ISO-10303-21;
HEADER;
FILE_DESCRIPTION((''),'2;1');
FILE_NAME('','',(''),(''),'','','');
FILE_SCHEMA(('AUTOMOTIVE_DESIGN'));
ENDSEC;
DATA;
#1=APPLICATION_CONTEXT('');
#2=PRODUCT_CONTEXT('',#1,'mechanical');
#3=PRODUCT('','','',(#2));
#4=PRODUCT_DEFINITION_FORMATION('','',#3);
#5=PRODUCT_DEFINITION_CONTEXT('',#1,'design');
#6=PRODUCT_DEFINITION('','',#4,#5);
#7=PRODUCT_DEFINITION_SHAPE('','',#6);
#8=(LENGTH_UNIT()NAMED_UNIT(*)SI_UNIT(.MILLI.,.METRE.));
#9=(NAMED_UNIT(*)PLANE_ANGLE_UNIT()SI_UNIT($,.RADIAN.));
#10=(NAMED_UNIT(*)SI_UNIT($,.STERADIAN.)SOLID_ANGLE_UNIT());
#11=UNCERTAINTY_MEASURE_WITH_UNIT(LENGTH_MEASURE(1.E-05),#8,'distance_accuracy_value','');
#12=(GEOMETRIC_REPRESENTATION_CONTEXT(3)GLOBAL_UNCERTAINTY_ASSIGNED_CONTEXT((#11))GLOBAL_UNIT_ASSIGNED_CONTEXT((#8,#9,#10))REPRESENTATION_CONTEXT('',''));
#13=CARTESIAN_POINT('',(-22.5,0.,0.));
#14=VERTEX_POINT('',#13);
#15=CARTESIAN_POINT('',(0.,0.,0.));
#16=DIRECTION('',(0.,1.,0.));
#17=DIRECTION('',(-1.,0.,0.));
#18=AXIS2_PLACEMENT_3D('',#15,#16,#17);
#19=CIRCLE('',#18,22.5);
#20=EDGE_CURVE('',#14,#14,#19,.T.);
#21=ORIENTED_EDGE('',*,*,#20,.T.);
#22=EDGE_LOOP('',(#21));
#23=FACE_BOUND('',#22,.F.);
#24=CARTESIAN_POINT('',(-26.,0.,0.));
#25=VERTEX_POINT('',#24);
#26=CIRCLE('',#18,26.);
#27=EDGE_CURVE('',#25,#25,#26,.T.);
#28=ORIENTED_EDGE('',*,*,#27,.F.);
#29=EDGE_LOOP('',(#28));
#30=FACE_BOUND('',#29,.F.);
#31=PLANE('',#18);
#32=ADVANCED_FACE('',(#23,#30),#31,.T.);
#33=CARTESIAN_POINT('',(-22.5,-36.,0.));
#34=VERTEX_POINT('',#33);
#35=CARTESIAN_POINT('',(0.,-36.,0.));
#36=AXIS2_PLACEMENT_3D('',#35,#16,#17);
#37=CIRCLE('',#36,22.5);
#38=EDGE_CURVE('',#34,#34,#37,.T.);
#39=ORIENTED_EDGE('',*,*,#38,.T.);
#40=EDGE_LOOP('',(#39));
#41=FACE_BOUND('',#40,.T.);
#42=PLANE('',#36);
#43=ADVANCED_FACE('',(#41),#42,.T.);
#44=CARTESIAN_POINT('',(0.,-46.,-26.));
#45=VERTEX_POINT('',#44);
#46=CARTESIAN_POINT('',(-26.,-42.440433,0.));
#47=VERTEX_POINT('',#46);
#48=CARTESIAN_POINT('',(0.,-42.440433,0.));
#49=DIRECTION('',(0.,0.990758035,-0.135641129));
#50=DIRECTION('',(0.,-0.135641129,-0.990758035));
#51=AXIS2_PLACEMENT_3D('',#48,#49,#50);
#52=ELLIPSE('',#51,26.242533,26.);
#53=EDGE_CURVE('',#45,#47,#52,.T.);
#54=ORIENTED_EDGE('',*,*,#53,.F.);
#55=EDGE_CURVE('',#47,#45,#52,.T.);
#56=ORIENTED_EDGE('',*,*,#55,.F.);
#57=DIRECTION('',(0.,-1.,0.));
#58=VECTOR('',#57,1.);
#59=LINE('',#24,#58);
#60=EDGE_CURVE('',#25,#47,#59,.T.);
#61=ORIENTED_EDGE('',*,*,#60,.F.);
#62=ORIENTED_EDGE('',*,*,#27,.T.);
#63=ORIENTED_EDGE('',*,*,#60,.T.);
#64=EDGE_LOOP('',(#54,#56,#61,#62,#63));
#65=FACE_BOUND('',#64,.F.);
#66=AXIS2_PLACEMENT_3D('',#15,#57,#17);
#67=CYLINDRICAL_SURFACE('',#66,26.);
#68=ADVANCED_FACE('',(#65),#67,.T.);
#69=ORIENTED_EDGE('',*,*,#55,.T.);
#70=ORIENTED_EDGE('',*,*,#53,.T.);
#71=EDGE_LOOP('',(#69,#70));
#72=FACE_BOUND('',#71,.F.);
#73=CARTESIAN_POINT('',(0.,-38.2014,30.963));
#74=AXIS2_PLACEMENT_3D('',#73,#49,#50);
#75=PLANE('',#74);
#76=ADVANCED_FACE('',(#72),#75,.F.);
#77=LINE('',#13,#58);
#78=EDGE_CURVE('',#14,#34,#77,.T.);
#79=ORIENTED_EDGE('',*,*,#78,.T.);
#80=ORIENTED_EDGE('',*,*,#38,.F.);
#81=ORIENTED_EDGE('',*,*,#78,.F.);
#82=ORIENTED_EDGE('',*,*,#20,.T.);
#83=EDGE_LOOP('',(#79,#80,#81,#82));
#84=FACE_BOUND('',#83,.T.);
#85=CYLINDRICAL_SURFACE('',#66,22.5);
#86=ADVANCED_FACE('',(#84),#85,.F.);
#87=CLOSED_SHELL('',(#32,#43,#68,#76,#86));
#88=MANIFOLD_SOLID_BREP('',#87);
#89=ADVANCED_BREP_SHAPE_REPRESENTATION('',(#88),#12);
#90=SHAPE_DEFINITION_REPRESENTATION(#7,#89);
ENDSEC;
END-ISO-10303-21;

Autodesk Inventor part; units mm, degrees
ref_plane "YZ Plane" through (0, 0, 0) normal (1, 0, 0) x (0, 1, 0)
ref_plane "XZ Plane" through (0, 0, 0) normal (0, 1, 0) x (-1, 0, 0)
ref_plane "XY Plane" through (0, 0, 0) normal (0, 0, 1) x (1, 0, 0)
sketch "Sketch1" plane through (0, 0, 0) normal (0, 0, 1) x (1, 0, 0)
  line L0 (0, 0) -> (-22.5, 0)
  line L1 (-22.5, 0) -> (-22.5, -36)
  line L2 (-22.5, -36) -> (0, -36)
  line L3 (0, -36) -> (0, 0)
  line L4 (-22.5, 0) -> (-26, 0)
  line L5 (0, -36) -> (0, -46)
  line L6 (0, -46) -> (-26, -46)
  line L7 (-26, 0) -> (-26, -46)
  dimension "d2" = 22.5
  dimension "d3" = 36
  dimension "d4" = 3.5
  dimension "d5" = 10
revolve "Revolution1" add sketch "Sketch1" angle 360 about axis through (0, -36, 0) along (0, 1, 0) contours L1 L2 L5 L6 L7 L4
sketch "Sketch2" plane through (0, 0, 0) normal (1, 0, 0) x (0, 1, 0)
  line L0 (-36, -22.5) -> (-36, 22.5) projected
  line L1 (-38.2014, 30.963) -> (-46, -26)
  line L2 (-46, -26) -> (0, -26) projected
  line L3 (-68.1118, -22.9728) -> (-58.6737, 36.8195)
  line L4 (-58.6737, 36.8195) -> (-38.2014, 30.963)
  line L5 (-46, -26) -> (-46, 26) projected
  line L6 (-68.1118, -22.9728) -> (-46, -26)
  line L7 (-2.125, 25.0163) -> (-16.5565, 26.5)
  line L8 (-16.5565, 26.5) -> (-20, 26.5)
  line L9 (-46, 26) -> (0, 26) projected
  line L10 (-20, 26.5) -> (-20, 23.9468)
  line L11 (-46, 26) -> (0, 26) projected
  line L12 (-20, 23.9468) -> (-2.125, 25.0163)
  line L13 (-20, 23.9468) -> (-20, 26)
  line L14 (-46, 26) -> (0, 26) projected
  line L15 (-46, 26) -> (0, 26) projected
  line L16 (-29.3452, 26) -> (-29.2838, 24.9734)
  line L17 (-29.2838, 24.9734) -> (-20, 23.9468)
  point P0 (0, 0)
  dimension "d11" = 20
  dimension "d12" = 26.5
extrude "Extrusion1" cut sketch "Sketch2" along normal through all both and the other way through all contours L1 L9 L5 L6 L3 L4 | L1 L5 L9
properties part number "ElectricCarChargingPlugHolder2"
